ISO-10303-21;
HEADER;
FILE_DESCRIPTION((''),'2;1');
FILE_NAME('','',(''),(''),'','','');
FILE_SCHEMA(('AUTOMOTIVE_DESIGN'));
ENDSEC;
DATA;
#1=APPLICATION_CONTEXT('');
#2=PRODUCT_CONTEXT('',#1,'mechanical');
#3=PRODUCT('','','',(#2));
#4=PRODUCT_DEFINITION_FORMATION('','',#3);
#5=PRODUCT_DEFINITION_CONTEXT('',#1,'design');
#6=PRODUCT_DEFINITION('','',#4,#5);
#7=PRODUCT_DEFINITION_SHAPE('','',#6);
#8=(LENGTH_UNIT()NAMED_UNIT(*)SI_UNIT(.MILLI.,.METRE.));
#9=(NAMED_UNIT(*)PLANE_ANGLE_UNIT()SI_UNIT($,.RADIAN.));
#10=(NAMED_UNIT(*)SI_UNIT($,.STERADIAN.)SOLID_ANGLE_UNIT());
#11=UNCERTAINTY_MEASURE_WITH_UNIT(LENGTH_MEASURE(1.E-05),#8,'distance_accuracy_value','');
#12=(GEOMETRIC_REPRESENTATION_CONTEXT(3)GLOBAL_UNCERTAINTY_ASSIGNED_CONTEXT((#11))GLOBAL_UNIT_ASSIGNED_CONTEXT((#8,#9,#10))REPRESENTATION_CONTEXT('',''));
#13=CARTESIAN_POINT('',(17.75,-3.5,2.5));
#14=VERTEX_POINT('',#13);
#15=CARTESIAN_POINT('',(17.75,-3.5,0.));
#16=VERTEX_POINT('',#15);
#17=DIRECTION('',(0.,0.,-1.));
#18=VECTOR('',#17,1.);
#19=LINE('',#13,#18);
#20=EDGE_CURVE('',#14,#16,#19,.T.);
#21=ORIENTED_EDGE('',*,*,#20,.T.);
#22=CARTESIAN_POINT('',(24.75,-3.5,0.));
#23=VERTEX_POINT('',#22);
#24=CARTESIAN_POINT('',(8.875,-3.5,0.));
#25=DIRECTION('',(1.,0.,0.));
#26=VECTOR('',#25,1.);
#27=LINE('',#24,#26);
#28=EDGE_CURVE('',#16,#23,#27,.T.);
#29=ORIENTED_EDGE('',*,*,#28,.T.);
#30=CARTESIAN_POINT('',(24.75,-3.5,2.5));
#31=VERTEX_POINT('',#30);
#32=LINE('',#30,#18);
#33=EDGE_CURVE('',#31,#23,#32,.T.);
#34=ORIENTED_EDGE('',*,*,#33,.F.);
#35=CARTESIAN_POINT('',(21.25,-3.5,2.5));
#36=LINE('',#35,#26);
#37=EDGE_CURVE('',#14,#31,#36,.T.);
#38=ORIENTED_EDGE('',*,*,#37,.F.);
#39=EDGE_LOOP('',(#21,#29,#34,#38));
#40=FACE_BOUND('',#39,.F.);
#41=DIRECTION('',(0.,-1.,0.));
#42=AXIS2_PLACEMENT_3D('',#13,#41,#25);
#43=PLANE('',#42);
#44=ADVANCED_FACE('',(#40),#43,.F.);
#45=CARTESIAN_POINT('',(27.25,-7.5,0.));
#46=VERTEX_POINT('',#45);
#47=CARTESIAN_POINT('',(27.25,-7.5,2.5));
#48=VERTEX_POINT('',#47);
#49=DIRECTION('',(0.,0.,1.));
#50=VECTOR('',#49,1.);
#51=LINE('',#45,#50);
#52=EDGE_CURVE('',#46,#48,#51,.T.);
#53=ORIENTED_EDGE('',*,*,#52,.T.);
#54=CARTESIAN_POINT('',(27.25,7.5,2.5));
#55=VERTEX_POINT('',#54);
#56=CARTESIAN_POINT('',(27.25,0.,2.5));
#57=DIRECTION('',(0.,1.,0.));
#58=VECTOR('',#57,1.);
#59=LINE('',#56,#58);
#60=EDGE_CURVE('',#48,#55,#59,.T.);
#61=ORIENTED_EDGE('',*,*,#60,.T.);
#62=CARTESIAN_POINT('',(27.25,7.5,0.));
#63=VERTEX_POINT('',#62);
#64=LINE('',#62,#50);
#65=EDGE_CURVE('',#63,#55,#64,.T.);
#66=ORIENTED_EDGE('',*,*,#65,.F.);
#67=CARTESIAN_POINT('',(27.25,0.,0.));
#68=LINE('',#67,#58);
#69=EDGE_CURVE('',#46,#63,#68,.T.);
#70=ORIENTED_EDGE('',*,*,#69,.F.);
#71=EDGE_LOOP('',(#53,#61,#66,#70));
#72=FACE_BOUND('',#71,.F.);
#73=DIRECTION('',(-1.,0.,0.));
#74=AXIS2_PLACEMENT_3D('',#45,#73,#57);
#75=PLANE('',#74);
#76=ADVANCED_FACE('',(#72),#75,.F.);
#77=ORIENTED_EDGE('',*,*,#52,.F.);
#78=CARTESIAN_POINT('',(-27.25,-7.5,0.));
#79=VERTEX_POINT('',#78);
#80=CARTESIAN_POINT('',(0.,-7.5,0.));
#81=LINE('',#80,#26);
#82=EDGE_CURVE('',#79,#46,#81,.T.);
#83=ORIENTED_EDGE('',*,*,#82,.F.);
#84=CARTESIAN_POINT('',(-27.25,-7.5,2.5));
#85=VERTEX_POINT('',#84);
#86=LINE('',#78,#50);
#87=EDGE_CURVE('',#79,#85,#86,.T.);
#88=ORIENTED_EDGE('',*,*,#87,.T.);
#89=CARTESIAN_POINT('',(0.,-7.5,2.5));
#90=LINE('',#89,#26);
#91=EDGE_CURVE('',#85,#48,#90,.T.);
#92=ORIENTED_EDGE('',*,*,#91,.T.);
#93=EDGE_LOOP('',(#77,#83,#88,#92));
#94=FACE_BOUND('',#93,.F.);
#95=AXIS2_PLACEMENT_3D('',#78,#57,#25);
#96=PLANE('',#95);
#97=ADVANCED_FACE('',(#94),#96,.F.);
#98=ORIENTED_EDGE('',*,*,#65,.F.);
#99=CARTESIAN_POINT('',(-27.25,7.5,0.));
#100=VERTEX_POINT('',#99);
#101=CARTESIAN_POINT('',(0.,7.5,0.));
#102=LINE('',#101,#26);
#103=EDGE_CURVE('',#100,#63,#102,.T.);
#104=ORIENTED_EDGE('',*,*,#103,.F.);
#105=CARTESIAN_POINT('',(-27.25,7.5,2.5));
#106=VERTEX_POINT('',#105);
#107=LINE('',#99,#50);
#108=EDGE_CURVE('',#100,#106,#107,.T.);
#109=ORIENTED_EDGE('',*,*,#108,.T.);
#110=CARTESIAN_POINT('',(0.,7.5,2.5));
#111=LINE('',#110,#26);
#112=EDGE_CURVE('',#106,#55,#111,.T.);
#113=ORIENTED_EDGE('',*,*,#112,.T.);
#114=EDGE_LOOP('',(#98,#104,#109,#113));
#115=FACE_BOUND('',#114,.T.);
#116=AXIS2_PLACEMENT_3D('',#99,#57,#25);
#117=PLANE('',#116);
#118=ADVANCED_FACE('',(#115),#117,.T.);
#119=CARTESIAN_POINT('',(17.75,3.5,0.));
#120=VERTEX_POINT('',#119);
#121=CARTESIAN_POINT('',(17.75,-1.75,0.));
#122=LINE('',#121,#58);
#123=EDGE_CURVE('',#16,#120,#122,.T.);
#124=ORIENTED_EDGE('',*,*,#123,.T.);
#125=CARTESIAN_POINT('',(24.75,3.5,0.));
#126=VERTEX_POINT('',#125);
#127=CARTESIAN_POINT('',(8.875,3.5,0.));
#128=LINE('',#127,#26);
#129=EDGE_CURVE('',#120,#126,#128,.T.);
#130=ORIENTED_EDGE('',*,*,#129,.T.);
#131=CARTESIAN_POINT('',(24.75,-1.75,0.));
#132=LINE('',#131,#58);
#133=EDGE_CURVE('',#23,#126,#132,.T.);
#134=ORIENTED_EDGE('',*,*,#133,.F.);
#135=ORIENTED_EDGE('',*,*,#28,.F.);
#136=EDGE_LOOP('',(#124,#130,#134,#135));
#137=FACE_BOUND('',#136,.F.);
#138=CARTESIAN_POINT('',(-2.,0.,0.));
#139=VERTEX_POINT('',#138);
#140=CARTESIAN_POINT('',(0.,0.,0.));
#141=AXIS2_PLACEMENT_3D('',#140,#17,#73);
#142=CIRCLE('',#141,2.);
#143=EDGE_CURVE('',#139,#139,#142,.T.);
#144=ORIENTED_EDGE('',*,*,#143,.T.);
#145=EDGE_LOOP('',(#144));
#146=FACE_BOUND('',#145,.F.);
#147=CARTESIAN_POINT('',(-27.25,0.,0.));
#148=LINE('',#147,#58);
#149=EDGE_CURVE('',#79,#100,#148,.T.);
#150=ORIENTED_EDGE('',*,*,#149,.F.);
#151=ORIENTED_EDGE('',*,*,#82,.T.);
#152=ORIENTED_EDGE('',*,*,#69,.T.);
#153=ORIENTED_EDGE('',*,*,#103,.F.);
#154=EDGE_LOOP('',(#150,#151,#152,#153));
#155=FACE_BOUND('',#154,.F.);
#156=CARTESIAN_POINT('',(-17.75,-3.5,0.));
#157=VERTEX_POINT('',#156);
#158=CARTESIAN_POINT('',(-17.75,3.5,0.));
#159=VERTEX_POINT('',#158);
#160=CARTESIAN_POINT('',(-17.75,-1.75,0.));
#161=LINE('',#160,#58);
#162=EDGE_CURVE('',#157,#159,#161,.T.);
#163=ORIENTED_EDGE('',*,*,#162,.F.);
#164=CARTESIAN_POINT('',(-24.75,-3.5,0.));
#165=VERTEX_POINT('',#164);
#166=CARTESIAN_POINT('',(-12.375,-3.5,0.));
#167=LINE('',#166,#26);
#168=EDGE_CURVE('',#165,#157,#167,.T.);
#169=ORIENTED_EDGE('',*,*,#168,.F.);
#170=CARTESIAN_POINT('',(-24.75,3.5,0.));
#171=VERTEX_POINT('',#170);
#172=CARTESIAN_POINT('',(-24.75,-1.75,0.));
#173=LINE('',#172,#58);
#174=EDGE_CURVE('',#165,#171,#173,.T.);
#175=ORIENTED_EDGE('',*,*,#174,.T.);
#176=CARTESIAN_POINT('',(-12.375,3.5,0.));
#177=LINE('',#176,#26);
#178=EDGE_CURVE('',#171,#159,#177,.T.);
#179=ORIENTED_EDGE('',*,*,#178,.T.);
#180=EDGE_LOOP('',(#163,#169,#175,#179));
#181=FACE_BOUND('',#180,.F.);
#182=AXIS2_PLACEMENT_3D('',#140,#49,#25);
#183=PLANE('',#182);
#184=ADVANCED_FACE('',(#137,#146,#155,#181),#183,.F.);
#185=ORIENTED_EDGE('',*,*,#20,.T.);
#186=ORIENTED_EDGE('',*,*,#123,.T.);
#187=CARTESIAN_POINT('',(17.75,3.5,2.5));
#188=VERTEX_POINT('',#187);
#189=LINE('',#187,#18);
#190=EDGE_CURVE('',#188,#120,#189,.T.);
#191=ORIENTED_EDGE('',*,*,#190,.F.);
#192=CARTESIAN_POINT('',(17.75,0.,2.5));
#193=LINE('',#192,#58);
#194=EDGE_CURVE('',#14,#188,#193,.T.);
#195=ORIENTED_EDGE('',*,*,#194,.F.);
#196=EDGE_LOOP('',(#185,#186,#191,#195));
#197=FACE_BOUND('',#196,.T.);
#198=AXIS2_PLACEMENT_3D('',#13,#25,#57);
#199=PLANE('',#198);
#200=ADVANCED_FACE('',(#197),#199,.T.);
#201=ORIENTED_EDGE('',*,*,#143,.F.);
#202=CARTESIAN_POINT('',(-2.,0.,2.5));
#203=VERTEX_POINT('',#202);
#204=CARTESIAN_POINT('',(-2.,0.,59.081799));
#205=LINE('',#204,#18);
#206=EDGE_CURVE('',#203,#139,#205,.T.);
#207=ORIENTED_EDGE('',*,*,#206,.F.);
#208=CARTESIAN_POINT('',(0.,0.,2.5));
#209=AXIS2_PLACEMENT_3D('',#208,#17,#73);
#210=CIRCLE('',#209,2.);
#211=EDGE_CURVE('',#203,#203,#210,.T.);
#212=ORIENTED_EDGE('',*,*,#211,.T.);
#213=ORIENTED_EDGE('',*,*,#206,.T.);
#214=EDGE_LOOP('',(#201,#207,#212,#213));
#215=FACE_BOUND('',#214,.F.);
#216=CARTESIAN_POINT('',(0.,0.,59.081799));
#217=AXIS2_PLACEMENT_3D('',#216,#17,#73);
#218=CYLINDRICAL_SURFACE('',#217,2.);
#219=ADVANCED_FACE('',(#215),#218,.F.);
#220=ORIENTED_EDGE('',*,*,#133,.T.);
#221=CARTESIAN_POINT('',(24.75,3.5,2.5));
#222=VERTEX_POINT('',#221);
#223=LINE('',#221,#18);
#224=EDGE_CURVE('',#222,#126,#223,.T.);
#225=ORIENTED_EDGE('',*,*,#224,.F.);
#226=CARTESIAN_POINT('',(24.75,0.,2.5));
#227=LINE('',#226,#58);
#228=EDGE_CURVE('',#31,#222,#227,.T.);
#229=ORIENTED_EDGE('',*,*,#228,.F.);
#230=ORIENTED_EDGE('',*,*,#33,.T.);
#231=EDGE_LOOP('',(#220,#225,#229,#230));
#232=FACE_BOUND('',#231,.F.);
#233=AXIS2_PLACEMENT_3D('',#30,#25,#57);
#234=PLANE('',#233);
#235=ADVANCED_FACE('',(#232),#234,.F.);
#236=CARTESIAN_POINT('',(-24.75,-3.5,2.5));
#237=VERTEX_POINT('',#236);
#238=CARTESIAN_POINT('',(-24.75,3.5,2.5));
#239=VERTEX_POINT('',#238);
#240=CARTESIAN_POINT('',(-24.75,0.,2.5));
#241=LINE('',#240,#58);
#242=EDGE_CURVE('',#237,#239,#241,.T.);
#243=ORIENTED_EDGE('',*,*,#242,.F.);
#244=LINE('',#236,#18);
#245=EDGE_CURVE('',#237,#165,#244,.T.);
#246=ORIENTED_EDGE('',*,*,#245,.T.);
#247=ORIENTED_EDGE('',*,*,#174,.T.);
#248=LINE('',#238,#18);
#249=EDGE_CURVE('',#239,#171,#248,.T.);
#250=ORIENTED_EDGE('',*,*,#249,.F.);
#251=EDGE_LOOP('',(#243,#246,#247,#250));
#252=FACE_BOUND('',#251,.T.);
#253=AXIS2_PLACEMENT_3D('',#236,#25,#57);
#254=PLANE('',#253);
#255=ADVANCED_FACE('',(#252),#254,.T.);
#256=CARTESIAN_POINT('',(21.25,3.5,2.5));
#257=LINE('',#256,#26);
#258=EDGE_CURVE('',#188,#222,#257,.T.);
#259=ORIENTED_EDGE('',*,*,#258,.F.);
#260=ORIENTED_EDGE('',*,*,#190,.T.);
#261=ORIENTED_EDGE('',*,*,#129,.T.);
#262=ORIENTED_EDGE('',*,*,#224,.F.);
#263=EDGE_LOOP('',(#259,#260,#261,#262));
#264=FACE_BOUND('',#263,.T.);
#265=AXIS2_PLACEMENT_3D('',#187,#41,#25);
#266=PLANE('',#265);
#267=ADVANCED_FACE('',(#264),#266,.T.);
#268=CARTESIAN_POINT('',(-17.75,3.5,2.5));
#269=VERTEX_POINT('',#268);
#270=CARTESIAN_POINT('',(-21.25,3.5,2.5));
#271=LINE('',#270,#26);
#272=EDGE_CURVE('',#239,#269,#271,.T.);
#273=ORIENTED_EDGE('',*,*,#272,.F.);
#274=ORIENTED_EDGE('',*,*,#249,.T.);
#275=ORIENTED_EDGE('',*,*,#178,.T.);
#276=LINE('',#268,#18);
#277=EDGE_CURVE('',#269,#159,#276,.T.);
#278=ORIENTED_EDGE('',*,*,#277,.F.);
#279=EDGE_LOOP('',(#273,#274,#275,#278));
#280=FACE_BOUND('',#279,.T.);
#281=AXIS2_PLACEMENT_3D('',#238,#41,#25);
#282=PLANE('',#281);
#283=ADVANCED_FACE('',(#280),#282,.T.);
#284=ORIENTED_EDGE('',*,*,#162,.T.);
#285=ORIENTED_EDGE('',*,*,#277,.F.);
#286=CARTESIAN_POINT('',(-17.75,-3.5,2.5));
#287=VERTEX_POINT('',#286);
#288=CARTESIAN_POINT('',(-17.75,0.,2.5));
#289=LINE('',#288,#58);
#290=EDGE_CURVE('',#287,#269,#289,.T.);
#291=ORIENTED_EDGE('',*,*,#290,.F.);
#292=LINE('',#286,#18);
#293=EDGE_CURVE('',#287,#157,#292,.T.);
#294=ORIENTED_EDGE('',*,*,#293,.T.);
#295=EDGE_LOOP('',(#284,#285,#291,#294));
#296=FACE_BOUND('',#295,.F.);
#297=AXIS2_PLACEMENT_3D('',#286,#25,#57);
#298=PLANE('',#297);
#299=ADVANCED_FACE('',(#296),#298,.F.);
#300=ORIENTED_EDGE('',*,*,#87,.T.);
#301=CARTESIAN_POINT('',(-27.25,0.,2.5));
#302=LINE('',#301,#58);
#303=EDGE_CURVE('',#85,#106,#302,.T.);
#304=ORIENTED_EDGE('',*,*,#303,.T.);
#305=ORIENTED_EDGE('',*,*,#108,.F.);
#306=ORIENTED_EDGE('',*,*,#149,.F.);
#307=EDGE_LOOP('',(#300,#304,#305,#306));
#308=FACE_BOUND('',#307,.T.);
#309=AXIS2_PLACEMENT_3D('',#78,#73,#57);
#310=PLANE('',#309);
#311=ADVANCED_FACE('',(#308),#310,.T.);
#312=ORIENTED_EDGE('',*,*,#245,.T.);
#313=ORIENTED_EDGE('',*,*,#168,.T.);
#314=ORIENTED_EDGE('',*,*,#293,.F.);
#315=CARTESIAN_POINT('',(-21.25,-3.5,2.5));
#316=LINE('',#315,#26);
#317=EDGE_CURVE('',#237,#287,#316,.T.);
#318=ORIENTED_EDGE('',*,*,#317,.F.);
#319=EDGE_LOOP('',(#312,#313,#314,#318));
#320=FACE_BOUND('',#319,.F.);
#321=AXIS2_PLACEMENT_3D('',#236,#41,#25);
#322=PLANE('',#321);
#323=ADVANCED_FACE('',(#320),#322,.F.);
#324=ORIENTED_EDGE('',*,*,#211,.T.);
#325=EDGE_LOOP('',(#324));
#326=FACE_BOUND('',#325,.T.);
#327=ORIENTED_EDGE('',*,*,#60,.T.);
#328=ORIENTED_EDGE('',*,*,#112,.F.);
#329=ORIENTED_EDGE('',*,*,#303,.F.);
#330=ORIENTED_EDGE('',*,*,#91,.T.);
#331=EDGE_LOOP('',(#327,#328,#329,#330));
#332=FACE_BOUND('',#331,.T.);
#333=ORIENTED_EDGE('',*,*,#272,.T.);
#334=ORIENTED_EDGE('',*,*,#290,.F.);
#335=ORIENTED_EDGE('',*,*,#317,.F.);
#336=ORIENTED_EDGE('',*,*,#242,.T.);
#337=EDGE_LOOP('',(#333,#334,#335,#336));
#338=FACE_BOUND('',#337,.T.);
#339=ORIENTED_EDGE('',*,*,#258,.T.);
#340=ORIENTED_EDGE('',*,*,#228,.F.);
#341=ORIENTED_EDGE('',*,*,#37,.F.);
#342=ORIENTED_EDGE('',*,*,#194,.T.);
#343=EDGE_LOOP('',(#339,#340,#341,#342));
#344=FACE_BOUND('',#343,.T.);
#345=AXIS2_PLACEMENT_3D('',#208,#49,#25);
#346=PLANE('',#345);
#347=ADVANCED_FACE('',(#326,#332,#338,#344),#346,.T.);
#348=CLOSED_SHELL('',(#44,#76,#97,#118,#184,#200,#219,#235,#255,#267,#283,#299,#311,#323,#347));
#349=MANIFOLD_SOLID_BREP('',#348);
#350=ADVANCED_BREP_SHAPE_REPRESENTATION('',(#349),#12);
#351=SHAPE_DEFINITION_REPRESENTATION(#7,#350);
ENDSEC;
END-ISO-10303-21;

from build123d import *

# Parameters (mm, degrees)
F0_W     = 54.5
F0_H     = 15
F1_DEPTH = 2.5
F3_D     = 4
F4_W     = 7
F4_H     = 7
F5_DEPTH = 2.501


with BuildPart() as f1:
    # F0 (on Top) → F1 (new body)
    with BuildSketch(Plane.XY):
        Rectangle(F0_W, F0_H)
    extrude(amount=F1_DEPTH)

    # F3 (through all)
    with Locations(Plane.XY.offset(2.5)):
        with Locations((0, 0)):
            Hole(F3_D / 2)

    # F4 (on face) → F5 (cut, through all)
    with BuildSketch(Plane.XY.offset(2.5)):
        with Locations((-21.25, 0)):
            Rectangle(F4_W, F4_H)
        with Locations((21.25, 0)):
            Rectangle(F4_W, F4_H)
    extrude(amount=-F5_DEPTH, mode=Mode.SUBTRACT)


solid = f1.part
